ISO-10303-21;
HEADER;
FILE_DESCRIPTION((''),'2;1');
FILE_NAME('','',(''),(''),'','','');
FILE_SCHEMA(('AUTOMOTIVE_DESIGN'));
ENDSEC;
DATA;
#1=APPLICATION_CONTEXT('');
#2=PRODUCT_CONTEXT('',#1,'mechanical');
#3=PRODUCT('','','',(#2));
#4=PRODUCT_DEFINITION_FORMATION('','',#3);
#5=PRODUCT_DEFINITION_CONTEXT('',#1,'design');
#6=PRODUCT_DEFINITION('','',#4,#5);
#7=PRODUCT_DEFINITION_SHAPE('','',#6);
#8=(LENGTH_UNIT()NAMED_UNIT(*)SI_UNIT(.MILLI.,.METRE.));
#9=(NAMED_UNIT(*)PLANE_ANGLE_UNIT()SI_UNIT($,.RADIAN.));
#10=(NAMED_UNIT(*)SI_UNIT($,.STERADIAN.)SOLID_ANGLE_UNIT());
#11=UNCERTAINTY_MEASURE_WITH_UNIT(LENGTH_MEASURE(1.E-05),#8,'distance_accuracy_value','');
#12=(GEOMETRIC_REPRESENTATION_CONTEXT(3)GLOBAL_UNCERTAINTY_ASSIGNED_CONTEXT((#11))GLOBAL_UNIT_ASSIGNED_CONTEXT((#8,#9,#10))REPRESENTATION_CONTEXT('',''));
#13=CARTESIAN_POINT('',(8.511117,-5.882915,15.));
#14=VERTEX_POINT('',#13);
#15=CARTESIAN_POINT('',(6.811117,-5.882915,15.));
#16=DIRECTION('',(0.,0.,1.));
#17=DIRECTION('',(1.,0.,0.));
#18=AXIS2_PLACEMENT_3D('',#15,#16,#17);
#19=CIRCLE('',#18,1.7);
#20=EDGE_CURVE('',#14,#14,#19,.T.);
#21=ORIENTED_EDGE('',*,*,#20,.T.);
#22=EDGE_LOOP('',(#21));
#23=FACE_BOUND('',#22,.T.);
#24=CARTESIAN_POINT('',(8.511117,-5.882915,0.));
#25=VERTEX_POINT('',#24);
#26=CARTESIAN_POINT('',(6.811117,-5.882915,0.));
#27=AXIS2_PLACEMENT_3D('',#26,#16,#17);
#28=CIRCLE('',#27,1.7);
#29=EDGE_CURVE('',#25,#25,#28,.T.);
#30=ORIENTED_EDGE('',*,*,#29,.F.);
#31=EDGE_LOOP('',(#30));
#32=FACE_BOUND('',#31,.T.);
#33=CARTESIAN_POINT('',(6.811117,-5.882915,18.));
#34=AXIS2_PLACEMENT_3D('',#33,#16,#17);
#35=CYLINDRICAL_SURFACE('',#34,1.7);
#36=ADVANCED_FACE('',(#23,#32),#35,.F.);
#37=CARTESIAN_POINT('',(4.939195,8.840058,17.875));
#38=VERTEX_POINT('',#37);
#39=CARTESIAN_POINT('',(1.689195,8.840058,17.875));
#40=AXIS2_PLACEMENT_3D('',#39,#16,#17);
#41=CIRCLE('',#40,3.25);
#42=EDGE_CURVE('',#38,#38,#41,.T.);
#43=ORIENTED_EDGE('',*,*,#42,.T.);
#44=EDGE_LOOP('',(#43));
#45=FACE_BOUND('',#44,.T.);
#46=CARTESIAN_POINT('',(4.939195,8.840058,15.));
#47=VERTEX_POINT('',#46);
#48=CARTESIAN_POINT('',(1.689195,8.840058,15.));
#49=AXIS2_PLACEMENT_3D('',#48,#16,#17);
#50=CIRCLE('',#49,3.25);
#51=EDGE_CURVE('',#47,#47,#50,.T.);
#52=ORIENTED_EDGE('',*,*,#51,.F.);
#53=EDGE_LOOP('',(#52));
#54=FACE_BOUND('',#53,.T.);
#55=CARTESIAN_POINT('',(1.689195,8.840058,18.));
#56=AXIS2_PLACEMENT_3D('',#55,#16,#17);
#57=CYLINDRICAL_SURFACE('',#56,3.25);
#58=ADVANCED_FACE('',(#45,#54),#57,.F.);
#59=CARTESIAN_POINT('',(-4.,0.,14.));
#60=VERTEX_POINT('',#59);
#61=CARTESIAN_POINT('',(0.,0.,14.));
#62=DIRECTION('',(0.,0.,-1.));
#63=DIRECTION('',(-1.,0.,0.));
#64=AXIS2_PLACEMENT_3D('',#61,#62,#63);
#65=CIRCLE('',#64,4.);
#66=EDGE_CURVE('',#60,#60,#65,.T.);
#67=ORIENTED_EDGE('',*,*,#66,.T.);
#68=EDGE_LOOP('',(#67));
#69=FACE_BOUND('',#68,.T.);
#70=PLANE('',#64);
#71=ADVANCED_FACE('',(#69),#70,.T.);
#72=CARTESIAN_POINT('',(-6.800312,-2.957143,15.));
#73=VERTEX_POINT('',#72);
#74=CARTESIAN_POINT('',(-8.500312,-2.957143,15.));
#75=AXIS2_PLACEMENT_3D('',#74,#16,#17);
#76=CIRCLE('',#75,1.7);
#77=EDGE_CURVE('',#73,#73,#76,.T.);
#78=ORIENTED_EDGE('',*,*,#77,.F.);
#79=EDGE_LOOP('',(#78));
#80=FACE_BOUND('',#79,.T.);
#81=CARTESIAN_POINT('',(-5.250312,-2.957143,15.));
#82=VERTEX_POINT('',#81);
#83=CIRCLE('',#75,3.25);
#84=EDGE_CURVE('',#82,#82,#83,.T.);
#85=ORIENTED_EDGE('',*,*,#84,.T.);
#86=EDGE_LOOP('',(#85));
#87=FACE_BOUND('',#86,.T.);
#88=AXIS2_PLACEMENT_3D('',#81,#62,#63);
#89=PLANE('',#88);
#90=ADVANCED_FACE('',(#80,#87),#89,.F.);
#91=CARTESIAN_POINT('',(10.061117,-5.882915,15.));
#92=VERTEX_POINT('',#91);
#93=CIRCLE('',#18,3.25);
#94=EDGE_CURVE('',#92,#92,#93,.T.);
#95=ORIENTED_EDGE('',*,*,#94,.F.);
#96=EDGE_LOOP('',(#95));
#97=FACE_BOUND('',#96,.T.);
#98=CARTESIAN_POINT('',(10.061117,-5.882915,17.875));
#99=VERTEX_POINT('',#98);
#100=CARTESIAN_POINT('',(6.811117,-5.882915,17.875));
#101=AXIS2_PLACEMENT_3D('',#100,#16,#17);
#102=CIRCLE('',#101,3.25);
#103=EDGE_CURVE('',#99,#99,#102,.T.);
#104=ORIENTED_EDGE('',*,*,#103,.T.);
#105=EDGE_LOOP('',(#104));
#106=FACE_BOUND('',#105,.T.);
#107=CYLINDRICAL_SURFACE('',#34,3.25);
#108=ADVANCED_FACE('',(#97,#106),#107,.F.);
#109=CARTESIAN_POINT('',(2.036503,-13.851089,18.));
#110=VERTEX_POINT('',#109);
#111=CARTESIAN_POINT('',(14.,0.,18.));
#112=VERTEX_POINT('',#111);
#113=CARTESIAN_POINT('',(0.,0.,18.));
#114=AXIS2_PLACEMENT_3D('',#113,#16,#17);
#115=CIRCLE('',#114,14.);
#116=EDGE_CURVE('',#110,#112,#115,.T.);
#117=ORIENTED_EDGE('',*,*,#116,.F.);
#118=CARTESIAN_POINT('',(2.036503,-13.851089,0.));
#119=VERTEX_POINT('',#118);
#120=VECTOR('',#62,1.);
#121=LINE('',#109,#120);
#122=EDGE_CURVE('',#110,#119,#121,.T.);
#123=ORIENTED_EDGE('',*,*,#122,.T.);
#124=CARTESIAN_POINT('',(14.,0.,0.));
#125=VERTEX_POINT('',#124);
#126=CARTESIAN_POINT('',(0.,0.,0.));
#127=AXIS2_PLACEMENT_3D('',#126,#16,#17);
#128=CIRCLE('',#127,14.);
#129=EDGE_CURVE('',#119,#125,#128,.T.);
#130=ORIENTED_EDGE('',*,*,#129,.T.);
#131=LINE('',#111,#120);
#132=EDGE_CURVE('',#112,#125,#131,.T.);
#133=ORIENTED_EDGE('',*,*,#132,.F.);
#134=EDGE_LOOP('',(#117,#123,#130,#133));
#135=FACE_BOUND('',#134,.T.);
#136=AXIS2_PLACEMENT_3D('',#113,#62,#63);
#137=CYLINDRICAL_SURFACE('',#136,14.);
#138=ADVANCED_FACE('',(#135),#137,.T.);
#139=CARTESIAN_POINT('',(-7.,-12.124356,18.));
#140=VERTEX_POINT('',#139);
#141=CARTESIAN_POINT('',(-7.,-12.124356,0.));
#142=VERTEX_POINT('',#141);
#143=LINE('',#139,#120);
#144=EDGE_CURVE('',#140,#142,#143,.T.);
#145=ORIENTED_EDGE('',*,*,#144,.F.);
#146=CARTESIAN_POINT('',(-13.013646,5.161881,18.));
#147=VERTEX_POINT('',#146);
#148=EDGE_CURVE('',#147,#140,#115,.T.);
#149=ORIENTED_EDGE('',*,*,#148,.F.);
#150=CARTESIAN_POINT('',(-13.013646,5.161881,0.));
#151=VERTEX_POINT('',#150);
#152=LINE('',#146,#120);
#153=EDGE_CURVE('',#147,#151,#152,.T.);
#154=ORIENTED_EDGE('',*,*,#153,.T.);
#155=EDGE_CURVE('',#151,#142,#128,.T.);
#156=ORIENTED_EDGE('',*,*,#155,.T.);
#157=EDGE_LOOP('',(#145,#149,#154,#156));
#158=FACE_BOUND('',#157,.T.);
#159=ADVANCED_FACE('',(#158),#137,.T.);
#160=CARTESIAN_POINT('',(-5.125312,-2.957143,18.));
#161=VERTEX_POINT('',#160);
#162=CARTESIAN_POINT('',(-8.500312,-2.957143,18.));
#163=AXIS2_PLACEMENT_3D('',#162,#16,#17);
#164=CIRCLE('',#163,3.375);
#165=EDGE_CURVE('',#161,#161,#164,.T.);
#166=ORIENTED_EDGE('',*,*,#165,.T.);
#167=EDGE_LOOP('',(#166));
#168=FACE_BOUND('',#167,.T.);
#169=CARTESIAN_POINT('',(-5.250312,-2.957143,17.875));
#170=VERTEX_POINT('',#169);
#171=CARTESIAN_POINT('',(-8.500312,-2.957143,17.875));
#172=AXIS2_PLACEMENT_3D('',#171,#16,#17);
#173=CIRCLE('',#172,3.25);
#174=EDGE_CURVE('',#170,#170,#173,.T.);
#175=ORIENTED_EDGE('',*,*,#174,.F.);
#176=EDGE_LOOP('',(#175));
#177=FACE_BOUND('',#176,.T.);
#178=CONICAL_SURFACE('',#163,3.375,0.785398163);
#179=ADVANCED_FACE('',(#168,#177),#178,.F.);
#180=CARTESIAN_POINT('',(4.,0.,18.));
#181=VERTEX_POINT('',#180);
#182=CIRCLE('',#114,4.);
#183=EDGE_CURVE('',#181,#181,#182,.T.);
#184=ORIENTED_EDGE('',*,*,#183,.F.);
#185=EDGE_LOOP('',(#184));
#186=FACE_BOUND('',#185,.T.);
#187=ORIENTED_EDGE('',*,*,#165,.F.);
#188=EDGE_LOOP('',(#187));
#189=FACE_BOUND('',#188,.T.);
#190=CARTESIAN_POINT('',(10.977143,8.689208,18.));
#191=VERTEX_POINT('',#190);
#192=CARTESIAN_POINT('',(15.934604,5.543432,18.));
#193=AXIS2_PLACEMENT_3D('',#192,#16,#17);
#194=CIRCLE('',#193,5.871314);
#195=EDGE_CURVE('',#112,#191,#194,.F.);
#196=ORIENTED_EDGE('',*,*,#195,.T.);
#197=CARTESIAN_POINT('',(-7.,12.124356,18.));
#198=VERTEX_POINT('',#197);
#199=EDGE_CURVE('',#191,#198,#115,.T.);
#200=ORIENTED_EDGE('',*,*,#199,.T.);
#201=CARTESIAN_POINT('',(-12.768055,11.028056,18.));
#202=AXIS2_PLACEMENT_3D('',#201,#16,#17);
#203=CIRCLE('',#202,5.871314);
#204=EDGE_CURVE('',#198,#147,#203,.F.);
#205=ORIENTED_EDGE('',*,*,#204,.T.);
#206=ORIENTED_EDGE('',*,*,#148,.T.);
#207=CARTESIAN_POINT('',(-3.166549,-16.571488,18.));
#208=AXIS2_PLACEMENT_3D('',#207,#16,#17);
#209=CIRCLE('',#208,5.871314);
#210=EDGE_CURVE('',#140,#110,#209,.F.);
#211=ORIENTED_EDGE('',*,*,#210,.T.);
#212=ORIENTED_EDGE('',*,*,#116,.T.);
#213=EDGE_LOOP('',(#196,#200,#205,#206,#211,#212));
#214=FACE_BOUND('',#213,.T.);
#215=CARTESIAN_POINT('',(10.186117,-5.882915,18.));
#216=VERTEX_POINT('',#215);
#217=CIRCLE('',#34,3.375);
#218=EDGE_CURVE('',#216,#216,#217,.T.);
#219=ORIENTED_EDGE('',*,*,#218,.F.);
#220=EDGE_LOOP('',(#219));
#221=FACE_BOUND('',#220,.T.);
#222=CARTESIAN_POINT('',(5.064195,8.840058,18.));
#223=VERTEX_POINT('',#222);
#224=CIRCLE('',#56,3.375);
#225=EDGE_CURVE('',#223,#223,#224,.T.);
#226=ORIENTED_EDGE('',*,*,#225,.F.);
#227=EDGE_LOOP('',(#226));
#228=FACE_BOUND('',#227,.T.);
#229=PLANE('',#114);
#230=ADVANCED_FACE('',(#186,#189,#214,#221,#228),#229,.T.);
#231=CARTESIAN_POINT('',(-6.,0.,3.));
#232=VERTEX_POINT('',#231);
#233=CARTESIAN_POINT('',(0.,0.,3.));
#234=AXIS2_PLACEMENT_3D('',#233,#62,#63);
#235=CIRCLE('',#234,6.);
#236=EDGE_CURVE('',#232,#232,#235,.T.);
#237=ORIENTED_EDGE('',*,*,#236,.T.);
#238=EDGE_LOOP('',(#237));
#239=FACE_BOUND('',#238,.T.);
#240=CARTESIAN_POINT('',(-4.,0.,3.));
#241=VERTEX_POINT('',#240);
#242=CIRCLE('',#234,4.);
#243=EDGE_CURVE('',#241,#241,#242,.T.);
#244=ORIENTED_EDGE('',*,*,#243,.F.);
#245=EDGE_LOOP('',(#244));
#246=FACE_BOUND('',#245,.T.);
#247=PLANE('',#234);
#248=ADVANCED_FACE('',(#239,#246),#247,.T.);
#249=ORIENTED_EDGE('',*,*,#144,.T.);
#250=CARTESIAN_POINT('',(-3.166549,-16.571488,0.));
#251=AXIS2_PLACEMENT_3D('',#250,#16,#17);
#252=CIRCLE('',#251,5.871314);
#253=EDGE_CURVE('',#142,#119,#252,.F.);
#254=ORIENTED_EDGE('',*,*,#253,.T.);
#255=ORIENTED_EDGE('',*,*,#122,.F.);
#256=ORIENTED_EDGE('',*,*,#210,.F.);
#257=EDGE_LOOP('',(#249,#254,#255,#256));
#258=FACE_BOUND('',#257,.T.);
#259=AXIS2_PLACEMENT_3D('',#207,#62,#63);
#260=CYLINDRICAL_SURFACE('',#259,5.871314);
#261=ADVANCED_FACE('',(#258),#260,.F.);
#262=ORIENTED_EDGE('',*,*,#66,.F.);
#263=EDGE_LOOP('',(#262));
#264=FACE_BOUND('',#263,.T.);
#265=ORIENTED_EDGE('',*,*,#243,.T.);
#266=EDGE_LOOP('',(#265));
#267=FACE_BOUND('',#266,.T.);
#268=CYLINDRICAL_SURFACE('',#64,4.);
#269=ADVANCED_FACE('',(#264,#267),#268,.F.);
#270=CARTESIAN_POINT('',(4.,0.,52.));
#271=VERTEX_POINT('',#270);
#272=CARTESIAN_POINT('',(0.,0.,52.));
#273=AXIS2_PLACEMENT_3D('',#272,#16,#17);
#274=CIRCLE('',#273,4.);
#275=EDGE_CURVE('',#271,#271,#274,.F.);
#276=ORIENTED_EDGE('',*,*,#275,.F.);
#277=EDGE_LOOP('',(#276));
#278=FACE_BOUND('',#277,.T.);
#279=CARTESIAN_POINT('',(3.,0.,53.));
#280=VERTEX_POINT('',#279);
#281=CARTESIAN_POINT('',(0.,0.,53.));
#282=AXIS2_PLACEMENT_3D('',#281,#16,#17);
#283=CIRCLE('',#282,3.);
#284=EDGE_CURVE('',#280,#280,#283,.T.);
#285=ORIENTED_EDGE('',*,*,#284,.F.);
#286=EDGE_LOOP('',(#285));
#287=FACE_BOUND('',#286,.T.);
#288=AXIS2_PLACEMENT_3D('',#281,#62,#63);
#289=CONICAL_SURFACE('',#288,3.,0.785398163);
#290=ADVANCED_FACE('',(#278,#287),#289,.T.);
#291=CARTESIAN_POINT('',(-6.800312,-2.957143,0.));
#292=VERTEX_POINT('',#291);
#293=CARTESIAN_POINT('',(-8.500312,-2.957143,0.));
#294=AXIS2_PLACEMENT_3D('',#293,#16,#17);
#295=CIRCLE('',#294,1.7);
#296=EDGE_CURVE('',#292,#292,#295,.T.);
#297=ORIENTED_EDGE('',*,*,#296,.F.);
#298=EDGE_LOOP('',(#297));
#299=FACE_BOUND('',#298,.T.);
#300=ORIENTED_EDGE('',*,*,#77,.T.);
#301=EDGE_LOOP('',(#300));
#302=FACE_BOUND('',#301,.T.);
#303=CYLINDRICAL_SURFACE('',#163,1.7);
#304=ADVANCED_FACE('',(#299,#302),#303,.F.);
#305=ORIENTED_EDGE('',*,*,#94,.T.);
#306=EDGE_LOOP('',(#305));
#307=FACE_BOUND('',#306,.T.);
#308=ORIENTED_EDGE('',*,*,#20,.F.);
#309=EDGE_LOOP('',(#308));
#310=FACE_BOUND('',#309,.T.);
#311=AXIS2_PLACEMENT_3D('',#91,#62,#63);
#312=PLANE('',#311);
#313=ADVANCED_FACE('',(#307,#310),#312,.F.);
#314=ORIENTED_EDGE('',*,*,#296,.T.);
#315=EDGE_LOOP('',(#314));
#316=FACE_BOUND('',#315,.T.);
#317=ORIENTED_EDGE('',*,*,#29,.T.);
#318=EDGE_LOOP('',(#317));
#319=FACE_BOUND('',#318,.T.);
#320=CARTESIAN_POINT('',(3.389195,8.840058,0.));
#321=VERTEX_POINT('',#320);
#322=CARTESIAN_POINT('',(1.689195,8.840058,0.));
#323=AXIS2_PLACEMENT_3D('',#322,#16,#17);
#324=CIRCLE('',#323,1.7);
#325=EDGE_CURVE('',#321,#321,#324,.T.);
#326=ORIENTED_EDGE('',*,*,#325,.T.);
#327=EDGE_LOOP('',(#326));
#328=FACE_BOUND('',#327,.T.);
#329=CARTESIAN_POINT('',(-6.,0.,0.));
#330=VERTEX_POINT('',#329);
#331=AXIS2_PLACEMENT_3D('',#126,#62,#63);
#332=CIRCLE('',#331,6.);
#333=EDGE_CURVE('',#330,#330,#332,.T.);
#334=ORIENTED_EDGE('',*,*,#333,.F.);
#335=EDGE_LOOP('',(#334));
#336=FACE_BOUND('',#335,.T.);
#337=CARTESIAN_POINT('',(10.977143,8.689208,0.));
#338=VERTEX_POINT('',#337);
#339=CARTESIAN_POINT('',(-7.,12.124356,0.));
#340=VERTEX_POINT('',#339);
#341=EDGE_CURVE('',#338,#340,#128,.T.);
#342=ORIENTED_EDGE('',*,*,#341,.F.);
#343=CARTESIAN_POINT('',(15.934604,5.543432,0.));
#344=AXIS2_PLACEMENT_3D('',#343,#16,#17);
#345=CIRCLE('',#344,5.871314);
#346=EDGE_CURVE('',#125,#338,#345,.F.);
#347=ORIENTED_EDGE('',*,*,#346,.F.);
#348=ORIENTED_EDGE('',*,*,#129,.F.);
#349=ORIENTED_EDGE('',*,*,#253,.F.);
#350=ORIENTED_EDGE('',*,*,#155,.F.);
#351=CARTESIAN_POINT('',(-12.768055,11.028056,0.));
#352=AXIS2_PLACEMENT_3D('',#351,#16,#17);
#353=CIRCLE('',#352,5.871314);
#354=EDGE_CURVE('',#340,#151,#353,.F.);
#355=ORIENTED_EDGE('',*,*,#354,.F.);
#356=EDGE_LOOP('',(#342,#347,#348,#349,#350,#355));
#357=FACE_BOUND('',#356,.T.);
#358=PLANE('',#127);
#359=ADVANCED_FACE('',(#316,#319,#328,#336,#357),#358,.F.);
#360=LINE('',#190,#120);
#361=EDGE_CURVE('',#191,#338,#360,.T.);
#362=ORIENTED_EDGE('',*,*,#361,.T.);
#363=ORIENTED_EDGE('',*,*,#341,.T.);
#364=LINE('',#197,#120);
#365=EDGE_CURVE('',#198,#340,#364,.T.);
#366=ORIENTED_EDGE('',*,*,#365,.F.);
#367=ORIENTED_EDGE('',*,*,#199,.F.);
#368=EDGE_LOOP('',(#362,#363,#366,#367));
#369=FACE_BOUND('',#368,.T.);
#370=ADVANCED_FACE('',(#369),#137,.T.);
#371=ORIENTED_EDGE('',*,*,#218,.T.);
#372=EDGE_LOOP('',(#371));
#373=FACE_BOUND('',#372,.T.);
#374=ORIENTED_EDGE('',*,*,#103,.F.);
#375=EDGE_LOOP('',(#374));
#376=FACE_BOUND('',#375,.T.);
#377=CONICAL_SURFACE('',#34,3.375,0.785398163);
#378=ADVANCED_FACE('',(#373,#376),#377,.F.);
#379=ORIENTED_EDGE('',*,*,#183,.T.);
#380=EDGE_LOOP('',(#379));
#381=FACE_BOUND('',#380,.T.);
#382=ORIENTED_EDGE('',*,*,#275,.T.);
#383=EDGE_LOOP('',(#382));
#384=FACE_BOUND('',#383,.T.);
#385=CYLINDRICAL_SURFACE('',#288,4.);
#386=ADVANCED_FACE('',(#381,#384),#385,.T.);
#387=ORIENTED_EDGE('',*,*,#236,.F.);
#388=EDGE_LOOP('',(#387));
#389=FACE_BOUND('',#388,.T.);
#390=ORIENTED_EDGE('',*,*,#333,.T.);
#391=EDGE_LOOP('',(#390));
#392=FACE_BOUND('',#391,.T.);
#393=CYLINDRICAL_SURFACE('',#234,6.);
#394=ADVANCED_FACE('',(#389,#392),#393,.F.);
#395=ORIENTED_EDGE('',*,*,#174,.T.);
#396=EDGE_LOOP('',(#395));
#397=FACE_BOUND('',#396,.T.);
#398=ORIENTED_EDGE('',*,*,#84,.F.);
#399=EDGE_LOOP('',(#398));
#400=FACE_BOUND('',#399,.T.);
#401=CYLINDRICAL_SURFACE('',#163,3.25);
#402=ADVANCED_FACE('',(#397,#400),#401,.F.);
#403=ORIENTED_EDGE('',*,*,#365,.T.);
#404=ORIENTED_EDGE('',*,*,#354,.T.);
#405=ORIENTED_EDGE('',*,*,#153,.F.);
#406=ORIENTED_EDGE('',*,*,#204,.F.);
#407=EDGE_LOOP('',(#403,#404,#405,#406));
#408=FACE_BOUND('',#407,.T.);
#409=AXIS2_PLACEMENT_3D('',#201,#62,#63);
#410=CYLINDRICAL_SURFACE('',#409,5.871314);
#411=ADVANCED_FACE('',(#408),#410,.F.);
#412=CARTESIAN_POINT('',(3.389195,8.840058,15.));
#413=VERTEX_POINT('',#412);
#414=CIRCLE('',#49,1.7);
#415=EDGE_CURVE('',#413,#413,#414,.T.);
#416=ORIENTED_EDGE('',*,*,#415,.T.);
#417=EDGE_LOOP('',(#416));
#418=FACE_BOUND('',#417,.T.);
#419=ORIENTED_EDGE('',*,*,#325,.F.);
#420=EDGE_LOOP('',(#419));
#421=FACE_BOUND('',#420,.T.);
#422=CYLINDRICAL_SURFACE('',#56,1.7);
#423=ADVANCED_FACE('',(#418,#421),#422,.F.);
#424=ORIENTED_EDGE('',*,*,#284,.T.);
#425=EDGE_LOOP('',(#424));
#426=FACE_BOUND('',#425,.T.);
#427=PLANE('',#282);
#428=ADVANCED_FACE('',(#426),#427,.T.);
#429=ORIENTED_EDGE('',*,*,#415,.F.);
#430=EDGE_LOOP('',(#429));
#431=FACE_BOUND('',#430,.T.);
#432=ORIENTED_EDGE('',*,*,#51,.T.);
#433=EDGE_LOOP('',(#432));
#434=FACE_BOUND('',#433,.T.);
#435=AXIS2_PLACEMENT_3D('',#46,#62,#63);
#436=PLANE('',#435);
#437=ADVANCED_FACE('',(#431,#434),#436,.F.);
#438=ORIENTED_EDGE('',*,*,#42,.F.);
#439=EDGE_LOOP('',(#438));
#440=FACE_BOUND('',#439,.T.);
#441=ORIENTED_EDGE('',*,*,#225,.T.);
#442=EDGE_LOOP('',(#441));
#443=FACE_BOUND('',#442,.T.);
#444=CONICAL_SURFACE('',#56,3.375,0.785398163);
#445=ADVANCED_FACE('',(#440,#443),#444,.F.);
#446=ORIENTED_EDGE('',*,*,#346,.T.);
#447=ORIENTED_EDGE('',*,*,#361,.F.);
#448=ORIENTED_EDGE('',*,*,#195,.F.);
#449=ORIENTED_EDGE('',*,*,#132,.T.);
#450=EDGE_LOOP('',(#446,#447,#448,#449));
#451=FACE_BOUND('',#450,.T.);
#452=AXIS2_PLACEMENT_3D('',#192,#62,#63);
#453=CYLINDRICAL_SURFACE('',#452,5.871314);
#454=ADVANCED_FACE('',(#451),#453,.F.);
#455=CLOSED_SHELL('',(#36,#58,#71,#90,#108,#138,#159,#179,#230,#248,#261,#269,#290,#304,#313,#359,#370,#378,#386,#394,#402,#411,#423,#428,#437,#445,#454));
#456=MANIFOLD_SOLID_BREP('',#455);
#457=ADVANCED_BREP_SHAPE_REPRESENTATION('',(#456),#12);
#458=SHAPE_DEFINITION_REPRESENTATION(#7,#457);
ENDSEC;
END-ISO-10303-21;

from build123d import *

# Parameters (mm, degrees)
RESSALTO_EXTRUS_O1_DEPTH = 18
ESBO_O2_R                = 4
RESSALTO_EXTRUS_O2_DEPTH = 35
CHANFRO1_SIZE            = 1
PADR_OCIRCULAR1_COUNT    = 3
ESBO_O6_R                = 6
CORTE_EXTRUS_O1_DEPTH    = 3
ESBO_O6_4_R              = 4
CORTE_EXTRUS_O2_DEPTH    = 14


with BuildPart() as part:
    # Esboço1 → Ressalto-extrusão1 (new body)
    with BuildSketch(Plane.XY):
        with BuildLine():
            ThreePointArc((10.389270368, 3.614285714), (10.102290249, 6.219039436), (10.977142857, 8.689207944))
            ThreePointArc((10.977142857, 8.689207944), (2.627637013, 13.75120081), (-7, 12.124355653))
            ThreePointArc((-7, 12.124355653), (-8.324698429, 7.190229208), (-13.013646247, 5.161880603))
            ThreePointArc((-13.013646247, 5.161880603), (-13.222707741, -4.6), (-7, -12.124355653))
            ThreePointArc((-7, -12.124355653), (-2.064571939, -10.804514922), (2.03650339, -13.851088547))
            ThreePointArc((2.03650339, -13.851088547), (10.595070728, -9.15120081), (14, 0))
            ThreePointArc((14, 0), (11.780915009, 1.39382974), (10.389270368, 3.614285714))
        make_face()
    extrude(amount=RESSALTO_EXTRUS_O1_DEPTH)

    # Esboço2 → Ressalto-extrusão2 (add)
    with BuildSketch(Plane.XY.offset(18)):
        Circle(ESBO_O2_R)
    extrude(amount=RESSALTO_EXTRUS_O2_DEPTH)

    # Chanfro1
    chanfro1_edges = [part.edges().sort_by_distance(p)[0] for p in [
        (-4, 0, 53),
    ]]
    chamfer(chanfro1_edges, length=CHANFRO1_SIZE)

    # Esboço5 → Rebaixo para SHCS M31 (revolve, cut)
    with BuildSketch(Plane(origin=(6.811116896, -5.882914807, 18), x_dir=(0, -1, 0), z_dir=(1, 0, 0))):
        Polygon((0, 0), (0, 18), (1.7, 18), (1.7, 3), (3.25, 3), (3.25, 0.125), (3.375, 0), align=None)
    rebaixo_para_shcs_m31 = revolve(axis=Axis((6.811116896, -5.882914807, 24.35), (0, 0, -1)), mode=Mode.SUBTRACT)

    # PadrãoCircular1: Rebaixo para SHCS M31 ×3 about axis
    padr_ocircular1_axis = Axis((0, 0, 18), (0, 0, 1))
    for i in range(1, PADR_OCIRCULAR1_COUNT):
        add(rebaixo_para_shcs_m31.rotate(padr_ocircular1_axis, i * 360 / PADR_OCIRCULAR1_COUNT), mode=Mode.SUBTRACT)

    # Esboço6 → Corte-extrusão1 (cut)
    with BuildSketch(Plane(origin=(0, 0, 0), x_dir=(-1, 0, 0), z_dir=(0, 0, -1))):
        Circle(ESBO_O6_R)
    extrude(amount=-CORTE_EXTRUS_O1_DEPTH, mode=Mode.SUBTRACT)

    # Esboço6<4> → Corte-extrusão2 (cut)
    with BuildSketch(Plane(origin=(0, 0, 0), x_dir=(-1, 0, 0), z_dir=(0, 0, -1))):
        Circle(ESBO_O6_4_R)
    extrude(amount=-CORTE_EXTRUS_O2_DEPTH, mode=Mode.SUBTRACT)


solid = part.part
